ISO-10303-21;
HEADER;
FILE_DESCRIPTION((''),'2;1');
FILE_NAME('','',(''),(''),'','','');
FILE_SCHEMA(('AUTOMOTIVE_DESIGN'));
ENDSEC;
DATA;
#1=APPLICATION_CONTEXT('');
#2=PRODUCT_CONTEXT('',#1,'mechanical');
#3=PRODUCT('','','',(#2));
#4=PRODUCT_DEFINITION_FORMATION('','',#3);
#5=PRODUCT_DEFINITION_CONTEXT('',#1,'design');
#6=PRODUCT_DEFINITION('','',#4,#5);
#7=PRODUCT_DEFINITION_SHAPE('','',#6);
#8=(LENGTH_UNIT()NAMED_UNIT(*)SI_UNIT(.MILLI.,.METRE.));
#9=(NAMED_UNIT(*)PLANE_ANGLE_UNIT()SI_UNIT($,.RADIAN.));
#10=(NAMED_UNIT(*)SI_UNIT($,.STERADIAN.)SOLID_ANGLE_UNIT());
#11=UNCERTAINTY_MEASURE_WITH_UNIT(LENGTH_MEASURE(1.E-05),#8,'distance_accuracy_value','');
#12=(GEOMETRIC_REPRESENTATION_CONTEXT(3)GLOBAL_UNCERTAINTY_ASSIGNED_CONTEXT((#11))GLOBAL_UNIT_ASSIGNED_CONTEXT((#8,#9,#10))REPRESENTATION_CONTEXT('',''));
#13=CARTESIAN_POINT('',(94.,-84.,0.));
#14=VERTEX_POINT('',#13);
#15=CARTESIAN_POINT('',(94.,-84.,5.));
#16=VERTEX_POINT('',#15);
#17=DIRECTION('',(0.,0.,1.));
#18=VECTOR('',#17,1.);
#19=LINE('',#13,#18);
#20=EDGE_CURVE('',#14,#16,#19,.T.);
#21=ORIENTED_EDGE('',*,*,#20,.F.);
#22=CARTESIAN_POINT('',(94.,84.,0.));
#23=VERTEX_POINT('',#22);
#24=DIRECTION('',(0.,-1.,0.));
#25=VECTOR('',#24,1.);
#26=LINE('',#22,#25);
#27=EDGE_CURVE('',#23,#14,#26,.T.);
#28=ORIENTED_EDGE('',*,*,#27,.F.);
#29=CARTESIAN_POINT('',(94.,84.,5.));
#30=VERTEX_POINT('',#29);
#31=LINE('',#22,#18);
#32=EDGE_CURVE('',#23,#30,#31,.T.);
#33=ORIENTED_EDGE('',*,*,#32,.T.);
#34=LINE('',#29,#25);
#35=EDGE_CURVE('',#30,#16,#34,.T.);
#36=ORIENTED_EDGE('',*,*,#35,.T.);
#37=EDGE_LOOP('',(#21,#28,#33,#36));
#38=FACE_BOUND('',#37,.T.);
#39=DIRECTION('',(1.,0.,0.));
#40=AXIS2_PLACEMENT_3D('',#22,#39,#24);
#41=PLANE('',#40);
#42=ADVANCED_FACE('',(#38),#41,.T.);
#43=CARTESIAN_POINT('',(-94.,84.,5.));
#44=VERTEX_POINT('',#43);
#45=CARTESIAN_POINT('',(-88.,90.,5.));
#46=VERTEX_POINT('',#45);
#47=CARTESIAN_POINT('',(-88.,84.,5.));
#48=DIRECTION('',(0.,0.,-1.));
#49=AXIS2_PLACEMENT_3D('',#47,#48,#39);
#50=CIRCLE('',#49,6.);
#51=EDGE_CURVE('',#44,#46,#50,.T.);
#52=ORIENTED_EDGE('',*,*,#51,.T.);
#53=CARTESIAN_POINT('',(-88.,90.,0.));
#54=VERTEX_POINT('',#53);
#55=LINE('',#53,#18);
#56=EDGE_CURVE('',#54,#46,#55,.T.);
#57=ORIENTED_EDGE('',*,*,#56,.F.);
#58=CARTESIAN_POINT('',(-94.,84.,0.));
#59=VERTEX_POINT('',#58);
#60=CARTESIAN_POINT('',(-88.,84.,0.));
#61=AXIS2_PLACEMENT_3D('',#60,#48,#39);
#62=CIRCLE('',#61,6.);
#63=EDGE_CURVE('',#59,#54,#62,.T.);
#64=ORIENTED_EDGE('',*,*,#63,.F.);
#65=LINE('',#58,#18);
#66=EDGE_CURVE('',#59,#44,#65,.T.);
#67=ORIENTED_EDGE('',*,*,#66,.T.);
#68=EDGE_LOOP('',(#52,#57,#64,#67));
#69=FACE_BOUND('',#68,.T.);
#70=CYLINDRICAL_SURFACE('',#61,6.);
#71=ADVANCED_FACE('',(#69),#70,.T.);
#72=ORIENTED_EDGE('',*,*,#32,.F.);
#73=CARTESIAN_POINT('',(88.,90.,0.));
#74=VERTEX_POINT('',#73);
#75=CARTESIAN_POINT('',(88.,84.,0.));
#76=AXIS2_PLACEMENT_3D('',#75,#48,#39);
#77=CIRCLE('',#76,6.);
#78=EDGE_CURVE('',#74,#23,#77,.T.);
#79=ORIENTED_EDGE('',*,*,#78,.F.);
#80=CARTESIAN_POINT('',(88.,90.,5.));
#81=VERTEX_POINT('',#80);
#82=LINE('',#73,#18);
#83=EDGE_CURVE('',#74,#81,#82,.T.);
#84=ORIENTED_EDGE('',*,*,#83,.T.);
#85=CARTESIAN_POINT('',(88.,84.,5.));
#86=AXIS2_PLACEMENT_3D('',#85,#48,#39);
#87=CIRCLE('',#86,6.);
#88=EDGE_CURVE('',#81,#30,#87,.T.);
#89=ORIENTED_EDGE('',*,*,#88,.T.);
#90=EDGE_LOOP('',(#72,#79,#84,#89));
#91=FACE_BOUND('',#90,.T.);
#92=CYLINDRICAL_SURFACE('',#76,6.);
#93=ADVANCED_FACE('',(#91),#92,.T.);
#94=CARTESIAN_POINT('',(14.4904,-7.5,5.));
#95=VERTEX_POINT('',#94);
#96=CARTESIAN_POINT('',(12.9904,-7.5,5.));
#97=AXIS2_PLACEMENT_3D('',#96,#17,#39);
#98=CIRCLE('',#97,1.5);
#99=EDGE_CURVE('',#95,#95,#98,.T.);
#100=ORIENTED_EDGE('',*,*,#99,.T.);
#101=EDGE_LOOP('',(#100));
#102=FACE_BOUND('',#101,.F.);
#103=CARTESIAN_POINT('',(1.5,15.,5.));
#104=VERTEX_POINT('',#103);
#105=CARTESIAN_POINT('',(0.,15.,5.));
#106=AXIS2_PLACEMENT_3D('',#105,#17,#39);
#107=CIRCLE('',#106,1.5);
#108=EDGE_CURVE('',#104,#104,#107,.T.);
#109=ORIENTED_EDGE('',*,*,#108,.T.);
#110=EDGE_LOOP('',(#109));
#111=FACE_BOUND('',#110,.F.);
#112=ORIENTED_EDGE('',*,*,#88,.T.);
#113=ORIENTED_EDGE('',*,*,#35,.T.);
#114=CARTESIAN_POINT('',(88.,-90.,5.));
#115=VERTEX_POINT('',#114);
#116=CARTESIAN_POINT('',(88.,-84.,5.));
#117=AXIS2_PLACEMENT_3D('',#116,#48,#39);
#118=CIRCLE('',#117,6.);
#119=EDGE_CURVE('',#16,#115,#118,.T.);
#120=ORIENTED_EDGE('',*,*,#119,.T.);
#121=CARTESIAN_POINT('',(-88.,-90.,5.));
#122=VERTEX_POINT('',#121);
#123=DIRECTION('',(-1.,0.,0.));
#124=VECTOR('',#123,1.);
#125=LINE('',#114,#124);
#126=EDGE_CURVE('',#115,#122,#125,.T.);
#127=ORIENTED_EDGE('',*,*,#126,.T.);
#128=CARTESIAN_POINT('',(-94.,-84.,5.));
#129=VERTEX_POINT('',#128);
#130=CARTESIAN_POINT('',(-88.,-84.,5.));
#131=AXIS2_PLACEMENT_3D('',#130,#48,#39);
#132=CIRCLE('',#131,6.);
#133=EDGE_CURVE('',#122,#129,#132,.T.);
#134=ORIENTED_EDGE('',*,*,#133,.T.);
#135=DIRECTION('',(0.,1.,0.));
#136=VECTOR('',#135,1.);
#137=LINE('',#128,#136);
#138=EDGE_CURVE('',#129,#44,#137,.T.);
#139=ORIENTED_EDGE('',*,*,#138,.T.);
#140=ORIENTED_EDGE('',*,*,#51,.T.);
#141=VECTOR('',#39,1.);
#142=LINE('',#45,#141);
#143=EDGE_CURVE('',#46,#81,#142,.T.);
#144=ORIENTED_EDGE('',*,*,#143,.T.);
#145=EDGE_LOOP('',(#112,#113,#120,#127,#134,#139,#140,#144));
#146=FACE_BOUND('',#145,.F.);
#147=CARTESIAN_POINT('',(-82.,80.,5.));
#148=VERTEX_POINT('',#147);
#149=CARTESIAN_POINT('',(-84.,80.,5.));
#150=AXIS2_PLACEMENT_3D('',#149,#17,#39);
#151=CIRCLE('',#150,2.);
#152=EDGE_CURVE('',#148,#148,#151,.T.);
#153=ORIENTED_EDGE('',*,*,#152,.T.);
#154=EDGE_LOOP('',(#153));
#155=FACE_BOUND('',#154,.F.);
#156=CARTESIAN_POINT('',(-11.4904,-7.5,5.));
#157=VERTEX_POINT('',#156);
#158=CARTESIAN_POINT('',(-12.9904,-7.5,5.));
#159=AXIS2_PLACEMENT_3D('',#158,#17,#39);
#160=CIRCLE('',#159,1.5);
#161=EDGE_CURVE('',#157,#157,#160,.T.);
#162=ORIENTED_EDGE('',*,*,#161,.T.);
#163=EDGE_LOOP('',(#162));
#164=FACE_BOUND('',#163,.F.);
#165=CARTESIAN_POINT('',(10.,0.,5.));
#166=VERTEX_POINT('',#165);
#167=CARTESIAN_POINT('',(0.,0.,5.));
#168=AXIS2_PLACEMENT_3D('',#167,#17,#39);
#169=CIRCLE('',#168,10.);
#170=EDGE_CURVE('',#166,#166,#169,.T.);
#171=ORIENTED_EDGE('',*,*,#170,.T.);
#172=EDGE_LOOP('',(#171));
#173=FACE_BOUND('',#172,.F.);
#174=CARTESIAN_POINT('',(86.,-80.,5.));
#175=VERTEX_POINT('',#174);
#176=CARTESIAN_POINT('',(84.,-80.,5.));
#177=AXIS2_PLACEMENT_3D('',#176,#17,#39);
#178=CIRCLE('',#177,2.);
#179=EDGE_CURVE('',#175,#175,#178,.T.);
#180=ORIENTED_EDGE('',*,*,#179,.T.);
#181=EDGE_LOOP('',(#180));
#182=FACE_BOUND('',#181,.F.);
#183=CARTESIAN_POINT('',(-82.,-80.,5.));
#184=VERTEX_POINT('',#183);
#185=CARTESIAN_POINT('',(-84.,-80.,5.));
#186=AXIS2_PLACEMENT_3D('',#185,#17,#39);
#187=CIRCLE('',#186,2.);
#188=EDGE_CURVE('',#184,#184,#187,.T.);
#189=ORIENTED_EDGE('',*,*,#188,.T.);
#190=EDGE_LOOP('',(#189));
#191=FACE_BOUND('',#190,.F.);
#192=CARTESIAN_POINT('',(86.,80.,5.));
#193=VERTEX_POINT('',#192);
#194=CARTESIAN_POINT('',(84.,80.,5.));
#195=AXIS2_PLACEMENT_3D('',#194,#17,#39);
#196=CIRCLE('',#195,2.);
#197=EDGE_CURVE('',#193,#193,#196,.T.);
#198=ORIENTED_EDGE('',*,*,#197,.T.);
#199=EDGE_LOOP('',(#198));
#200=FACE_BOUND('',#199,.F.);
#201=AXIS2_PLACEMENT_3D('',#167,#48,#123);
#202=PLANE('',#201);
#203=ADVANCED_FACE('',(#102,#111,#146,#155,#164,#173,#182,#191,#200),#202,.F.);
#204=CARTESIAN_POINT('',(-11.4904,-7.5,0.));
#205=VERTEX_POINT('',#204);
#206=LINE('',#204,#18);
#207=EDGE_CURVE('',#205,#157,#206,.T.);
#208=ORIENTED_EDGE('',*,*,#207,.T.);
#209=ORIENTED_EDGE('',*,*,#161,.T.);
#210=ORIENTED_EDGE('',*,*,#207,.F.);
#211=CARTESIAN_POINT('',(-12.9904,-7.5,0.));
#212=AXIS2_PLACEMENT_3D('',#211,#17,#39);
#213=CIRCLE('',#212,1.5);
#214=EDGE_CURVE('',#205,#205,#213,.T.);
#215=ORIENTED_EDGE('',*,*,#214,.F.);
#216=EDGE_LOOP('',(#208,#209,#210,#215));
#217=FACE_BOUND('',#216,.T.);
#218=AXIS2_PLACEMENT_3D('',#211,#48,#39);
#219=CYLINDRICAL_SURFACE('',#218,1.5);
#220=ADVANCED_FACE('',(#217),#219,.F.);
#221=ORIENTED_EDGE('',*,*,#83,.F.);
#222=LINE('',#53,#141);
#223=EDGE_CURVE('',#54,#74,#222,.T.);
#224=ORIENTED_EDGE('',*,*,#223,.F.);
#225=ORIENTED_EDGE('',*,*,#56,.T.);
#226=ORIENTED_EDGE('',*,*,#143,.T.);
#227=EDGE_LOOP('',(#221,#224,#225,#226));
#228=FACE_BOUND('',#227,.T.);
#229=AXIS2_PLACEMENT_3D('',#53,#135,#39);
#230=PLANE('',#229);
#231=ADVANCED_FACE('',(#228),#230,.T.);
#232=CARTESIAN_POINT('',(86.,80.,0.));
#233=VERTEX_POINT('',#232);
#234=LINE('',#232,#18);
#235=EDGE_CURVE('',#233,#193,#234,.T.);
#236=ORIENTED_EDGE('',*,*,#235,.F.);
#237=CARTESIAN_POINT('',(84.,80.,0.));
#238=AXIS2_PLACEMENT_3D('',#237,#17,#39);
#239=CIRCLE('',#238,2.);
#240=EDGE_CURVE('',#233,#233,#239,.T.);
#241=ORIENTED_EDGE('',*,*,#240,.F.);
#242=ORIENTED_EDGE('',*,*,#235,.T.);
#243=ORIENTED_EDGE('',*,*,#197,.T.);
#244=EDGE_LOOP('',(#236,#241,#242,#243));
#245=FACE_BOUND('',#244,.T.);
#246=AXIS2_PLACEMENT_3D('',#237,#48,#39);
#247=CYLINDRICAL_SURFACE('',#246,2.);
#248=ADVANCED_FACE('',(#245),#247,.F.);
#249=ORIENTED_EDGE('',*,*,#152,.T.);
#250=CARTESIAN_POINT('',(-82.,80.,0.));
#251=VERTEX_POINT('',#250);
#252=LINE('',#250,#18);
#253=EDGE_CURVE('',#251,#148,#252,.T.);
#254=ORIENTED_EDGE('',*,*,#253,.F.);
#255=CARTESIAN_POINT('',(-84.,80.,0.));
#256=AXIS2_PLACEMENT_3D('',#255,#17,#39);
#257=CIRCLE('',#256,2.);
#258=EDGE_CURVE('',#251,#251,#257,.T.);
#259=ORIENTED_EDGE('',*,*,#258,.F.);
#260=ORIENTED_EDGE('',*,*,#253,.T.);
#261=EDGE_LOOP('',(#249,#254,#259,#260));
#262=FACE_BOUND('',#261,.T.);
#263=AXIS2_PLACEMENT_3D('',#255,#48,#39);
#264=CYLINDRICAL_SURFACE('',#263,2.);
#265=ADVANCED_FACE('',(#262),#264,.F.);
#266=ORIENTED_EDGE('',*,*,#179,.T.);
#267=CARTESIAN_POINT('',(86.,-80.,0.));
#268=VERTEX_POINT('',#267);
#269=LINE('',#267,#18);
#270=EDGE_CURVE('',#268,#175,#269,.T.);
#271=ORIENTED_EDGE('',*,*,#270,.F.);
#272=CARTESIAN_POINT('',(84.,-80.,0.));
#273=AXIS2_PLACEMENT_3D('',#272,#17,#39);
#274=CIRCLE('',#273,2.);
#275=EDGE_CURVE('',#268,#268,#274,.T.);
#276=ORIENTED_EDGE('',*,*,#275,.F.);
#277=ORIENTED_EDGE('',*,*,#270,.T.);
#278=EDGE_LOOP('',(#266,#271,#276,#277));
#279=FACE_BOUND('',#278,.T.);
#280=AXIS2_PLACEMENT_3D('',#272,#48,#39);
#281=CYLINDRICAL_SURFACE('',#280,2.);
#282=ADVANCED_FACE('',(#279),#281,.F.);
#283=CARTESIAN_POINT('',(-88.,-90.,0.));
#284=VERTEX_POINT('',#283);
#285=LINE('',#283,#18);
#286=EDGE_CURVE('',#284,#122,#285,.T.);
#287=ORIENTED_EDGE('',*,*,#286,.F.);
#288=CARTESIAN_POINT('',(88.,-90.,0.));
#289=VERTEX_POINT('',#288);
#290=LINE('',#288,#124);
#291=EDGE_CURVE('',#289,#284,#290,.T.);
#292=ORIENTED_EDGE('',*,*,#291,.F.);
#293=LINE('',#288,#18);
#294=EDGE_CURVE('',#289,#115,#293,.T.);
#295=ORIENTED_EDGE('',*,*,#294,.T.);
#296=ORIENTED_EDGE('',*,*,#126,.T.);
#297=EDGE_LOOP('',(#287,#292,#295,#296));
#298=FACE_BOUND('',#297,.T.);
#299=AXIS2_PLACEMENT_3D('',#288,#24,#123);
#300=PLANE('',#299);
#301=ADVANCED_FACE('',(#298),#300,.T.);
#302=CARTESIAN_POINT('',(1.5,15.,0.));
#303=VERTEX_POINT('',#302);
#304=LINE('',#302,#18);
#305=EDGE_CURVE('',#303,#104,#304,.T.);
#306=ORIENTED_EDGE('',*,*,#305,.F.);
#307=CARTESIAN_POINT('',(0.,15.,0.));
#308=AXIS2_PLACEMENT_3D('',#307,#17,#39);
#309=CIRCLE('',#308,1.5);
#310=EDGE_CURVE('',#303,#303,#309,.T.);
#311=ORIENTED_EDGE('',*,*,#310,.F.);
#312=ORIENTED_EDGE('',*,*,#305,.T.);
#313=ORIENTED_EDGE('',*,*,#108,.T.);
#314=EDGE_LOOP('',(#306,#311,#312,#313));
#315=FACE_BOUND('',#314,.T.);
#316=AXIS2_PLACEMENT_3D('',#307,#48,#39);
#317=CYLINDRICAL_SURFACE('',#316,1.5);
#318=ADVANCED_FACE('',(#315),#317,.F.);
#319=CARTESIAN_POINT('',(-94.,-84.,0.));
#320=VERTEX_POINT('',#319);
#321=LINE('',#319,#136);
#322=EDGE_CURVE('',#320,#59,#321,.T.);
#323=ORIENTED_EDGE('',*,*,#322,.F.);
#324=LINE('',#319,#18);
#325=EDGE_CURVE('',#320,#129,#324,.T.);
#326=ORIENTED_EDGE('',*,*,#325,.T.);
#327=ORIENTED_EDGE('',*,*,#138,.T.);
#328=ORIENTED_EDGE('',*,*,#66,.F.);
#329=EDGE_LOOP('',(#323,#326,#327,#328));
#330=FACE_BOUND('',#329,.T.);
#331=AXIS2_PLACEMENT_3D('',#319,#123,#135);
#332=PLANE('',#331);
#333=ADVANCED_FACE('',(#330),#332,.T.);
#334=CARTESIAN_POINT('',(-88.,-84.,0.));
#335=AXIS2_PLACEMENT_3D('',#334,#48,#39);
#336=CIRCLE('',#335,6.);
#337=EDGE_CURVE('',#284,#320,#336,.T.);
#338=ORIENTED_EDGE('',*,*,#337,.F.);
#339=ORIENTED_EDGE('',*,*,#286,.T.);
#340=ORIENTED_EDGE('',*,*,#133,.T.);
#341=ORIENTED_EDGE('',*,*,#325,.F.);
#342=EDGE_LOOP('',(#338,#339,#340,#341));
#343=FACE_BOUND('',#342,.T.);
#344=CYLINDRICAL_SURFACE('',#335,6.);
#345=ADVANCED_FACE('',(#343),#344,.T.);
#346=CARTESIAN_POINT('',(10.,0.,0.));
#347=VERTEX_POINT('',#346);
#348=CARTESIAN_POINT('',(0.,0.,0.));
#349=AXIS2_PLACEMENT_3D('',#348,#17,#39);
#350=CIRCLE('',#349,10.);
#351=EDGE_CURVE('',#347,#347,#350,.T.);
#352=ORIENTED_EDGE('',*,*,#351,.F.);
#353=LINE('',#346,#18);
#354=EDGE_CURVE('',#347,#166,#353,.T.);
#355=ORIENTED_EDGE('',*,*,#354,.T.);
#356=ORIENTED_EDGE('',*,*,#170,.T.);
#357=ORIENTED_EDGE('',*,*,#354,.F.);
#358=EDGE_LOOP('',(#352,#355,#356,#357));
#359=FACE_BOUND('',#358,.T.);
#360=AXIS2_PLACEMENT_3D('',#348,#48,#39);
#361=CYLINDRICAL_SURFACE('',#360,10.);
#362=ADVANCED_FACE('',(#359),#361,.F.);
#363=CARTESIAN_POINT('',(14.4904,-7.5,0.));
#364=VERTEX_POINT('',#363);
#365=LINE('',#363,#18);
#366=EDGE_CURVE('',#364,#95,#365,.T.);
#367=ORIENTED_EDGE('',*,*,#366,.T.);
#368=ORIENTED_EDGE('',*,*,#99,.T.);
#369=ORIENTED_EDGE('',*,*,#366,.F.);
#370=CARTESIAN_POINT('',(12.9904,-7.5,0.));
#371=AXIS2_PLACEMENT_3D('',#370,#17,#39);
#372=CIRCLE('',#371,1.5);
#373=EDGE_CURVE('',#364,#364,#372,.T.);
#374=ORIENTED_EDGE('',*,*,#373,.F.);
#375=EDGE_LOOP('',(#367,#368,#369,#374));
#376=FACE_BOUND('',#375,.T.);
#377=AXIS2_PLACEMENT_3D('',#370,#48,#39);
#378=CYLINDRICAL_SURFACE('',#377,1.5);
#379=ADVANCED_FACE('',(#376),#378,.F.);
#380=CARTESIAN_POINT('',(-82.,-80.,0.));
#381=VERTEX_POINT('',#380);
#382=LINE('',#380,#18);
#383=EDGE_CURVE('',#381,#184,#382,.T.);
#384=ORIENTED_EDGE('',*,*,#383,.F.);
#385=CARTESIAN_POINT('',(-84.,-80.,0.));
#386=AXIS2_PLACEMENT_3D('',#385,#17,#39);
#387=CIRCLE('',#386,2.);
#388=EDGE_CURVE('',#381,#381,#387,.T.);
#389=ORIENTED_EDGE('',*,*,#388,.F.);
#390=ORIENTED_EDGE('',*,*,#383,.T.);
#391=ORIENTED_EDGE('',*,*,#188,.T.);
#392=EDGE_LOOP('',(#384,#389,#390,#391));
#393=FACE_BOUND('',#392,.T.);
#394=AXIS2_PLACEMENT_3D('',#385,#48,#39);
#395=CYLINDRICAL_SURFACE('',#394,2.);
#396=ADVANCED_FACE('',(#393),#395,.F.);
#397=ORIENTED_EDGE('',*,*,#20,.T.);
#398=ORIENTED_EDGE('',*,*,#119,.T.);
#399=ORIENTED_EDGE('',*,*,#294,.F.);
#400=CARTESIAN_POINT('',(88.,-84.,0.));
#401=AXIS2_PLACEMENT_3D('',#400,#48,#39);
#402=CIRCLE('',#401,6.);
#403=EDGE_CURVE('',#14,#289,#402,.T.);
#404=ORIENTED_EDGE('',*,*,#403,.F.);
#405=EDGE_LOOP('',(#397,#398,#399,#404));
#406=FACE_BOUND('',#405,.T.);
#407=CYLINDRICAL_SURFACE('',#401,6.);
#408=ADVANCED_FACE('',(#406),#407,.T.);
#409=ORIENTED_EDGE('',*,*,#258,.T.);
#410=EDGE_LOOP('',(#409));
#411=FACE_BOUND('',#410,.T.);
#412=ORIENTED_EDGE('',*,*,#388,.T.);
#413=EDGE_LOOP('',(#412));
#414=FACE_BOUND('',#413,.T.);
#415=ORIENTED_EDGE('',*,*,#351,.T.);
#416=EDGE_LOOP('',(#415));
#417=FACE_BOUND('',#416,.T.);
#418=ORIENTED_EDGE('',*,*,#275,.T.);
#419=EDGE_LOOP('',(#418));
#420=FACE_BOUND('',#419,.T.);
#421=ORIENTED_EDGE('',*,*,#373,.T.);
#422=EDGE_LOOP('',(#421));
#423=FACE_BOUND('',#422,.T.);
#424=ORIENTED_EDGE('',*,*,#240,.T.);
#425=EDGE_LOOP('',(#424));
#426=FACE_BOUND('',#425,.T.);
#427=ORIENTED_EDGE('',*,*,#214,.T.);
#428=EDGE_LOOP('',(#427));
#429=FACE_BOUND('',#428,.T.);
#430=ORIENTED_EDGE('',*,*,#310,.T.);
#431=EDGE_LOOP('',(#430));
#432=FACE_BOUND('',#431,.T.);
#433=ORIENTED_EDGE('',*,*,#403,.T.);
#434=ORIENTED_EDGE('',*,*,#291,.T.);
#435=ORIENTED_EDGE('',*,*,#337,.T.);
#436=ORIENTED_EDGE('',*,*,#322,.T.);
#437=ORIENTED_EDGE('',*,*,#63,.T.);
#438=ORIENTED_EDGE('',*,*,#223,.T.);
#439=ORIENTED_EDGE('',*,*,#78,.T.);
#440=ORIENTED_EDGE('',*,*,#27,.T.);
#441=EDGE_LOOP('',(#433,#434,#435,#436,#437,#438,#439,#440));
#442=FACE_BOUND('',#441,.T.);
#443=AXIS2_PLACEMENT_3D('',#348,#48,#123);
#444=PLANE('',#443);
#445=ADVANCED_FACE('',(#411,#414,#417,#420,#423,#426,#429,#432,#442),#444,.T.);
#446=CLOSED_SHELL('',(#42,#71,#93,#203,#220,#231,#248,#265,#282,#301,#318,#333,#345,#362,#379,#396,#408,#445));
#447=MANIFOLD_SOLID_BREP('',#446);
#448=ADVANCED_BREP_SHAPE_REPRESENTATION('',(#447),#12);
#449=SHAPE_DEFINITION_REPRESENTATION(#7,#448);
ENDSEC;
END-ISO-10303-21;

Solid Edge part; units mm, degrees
sketch "Sketch1" plane through (0, 0, 0) normal (0, 0, 1) x (1, 0, 0)
  circle A0 centre (0, 0) radius 10
  circle A1 centre (-12.9904, -7.5) radius 1.5
  circle A2 centre (12.9904, -7.5) radius 1.5
  circle A3 centre (-84, -80) radius 2
  circle A4 centre (-84, 80) radius 2
  circle A5 centre (84, 80) radius 2
  circle A6 centre (84, -80) radius 2
  circle A7 centre (0, 15) radius 1.5
  arc A8 (-94, 84) -> (-88, 90) centre (-88, 84) cw
  line L0 (-88, 90) -> (88, 90)
  arc A9 (88, 90) -> (94, 84) centre (88, 84) cw
  line L1 (94, 84) -> (94, -84)
  arc A10 (94, -84) -> (88, -90) centre (88, -84) cw
  line L2 (88, -90) -> (-88, -90)
  arc A11 (-88, -90) -> (-94, -84) centre (-88, -84) cw
  line L3 (-94, -84) -> (-94, 84)
  dimension "D1" = 180
  dimension "D2" = 188
  dimension "D3" = 6
  dimension "D4" = 10
  dimension "D5" = 10
  dimension "D6" = 10
  dimension "D7" = 10
  dimension "D8" = 4
  dimension "D9" = 20
  dimension "D10" = 3
  dimension "D11" = 30
extrude "Protrusion1" add sketch "Sketch1" along normal blind 5
